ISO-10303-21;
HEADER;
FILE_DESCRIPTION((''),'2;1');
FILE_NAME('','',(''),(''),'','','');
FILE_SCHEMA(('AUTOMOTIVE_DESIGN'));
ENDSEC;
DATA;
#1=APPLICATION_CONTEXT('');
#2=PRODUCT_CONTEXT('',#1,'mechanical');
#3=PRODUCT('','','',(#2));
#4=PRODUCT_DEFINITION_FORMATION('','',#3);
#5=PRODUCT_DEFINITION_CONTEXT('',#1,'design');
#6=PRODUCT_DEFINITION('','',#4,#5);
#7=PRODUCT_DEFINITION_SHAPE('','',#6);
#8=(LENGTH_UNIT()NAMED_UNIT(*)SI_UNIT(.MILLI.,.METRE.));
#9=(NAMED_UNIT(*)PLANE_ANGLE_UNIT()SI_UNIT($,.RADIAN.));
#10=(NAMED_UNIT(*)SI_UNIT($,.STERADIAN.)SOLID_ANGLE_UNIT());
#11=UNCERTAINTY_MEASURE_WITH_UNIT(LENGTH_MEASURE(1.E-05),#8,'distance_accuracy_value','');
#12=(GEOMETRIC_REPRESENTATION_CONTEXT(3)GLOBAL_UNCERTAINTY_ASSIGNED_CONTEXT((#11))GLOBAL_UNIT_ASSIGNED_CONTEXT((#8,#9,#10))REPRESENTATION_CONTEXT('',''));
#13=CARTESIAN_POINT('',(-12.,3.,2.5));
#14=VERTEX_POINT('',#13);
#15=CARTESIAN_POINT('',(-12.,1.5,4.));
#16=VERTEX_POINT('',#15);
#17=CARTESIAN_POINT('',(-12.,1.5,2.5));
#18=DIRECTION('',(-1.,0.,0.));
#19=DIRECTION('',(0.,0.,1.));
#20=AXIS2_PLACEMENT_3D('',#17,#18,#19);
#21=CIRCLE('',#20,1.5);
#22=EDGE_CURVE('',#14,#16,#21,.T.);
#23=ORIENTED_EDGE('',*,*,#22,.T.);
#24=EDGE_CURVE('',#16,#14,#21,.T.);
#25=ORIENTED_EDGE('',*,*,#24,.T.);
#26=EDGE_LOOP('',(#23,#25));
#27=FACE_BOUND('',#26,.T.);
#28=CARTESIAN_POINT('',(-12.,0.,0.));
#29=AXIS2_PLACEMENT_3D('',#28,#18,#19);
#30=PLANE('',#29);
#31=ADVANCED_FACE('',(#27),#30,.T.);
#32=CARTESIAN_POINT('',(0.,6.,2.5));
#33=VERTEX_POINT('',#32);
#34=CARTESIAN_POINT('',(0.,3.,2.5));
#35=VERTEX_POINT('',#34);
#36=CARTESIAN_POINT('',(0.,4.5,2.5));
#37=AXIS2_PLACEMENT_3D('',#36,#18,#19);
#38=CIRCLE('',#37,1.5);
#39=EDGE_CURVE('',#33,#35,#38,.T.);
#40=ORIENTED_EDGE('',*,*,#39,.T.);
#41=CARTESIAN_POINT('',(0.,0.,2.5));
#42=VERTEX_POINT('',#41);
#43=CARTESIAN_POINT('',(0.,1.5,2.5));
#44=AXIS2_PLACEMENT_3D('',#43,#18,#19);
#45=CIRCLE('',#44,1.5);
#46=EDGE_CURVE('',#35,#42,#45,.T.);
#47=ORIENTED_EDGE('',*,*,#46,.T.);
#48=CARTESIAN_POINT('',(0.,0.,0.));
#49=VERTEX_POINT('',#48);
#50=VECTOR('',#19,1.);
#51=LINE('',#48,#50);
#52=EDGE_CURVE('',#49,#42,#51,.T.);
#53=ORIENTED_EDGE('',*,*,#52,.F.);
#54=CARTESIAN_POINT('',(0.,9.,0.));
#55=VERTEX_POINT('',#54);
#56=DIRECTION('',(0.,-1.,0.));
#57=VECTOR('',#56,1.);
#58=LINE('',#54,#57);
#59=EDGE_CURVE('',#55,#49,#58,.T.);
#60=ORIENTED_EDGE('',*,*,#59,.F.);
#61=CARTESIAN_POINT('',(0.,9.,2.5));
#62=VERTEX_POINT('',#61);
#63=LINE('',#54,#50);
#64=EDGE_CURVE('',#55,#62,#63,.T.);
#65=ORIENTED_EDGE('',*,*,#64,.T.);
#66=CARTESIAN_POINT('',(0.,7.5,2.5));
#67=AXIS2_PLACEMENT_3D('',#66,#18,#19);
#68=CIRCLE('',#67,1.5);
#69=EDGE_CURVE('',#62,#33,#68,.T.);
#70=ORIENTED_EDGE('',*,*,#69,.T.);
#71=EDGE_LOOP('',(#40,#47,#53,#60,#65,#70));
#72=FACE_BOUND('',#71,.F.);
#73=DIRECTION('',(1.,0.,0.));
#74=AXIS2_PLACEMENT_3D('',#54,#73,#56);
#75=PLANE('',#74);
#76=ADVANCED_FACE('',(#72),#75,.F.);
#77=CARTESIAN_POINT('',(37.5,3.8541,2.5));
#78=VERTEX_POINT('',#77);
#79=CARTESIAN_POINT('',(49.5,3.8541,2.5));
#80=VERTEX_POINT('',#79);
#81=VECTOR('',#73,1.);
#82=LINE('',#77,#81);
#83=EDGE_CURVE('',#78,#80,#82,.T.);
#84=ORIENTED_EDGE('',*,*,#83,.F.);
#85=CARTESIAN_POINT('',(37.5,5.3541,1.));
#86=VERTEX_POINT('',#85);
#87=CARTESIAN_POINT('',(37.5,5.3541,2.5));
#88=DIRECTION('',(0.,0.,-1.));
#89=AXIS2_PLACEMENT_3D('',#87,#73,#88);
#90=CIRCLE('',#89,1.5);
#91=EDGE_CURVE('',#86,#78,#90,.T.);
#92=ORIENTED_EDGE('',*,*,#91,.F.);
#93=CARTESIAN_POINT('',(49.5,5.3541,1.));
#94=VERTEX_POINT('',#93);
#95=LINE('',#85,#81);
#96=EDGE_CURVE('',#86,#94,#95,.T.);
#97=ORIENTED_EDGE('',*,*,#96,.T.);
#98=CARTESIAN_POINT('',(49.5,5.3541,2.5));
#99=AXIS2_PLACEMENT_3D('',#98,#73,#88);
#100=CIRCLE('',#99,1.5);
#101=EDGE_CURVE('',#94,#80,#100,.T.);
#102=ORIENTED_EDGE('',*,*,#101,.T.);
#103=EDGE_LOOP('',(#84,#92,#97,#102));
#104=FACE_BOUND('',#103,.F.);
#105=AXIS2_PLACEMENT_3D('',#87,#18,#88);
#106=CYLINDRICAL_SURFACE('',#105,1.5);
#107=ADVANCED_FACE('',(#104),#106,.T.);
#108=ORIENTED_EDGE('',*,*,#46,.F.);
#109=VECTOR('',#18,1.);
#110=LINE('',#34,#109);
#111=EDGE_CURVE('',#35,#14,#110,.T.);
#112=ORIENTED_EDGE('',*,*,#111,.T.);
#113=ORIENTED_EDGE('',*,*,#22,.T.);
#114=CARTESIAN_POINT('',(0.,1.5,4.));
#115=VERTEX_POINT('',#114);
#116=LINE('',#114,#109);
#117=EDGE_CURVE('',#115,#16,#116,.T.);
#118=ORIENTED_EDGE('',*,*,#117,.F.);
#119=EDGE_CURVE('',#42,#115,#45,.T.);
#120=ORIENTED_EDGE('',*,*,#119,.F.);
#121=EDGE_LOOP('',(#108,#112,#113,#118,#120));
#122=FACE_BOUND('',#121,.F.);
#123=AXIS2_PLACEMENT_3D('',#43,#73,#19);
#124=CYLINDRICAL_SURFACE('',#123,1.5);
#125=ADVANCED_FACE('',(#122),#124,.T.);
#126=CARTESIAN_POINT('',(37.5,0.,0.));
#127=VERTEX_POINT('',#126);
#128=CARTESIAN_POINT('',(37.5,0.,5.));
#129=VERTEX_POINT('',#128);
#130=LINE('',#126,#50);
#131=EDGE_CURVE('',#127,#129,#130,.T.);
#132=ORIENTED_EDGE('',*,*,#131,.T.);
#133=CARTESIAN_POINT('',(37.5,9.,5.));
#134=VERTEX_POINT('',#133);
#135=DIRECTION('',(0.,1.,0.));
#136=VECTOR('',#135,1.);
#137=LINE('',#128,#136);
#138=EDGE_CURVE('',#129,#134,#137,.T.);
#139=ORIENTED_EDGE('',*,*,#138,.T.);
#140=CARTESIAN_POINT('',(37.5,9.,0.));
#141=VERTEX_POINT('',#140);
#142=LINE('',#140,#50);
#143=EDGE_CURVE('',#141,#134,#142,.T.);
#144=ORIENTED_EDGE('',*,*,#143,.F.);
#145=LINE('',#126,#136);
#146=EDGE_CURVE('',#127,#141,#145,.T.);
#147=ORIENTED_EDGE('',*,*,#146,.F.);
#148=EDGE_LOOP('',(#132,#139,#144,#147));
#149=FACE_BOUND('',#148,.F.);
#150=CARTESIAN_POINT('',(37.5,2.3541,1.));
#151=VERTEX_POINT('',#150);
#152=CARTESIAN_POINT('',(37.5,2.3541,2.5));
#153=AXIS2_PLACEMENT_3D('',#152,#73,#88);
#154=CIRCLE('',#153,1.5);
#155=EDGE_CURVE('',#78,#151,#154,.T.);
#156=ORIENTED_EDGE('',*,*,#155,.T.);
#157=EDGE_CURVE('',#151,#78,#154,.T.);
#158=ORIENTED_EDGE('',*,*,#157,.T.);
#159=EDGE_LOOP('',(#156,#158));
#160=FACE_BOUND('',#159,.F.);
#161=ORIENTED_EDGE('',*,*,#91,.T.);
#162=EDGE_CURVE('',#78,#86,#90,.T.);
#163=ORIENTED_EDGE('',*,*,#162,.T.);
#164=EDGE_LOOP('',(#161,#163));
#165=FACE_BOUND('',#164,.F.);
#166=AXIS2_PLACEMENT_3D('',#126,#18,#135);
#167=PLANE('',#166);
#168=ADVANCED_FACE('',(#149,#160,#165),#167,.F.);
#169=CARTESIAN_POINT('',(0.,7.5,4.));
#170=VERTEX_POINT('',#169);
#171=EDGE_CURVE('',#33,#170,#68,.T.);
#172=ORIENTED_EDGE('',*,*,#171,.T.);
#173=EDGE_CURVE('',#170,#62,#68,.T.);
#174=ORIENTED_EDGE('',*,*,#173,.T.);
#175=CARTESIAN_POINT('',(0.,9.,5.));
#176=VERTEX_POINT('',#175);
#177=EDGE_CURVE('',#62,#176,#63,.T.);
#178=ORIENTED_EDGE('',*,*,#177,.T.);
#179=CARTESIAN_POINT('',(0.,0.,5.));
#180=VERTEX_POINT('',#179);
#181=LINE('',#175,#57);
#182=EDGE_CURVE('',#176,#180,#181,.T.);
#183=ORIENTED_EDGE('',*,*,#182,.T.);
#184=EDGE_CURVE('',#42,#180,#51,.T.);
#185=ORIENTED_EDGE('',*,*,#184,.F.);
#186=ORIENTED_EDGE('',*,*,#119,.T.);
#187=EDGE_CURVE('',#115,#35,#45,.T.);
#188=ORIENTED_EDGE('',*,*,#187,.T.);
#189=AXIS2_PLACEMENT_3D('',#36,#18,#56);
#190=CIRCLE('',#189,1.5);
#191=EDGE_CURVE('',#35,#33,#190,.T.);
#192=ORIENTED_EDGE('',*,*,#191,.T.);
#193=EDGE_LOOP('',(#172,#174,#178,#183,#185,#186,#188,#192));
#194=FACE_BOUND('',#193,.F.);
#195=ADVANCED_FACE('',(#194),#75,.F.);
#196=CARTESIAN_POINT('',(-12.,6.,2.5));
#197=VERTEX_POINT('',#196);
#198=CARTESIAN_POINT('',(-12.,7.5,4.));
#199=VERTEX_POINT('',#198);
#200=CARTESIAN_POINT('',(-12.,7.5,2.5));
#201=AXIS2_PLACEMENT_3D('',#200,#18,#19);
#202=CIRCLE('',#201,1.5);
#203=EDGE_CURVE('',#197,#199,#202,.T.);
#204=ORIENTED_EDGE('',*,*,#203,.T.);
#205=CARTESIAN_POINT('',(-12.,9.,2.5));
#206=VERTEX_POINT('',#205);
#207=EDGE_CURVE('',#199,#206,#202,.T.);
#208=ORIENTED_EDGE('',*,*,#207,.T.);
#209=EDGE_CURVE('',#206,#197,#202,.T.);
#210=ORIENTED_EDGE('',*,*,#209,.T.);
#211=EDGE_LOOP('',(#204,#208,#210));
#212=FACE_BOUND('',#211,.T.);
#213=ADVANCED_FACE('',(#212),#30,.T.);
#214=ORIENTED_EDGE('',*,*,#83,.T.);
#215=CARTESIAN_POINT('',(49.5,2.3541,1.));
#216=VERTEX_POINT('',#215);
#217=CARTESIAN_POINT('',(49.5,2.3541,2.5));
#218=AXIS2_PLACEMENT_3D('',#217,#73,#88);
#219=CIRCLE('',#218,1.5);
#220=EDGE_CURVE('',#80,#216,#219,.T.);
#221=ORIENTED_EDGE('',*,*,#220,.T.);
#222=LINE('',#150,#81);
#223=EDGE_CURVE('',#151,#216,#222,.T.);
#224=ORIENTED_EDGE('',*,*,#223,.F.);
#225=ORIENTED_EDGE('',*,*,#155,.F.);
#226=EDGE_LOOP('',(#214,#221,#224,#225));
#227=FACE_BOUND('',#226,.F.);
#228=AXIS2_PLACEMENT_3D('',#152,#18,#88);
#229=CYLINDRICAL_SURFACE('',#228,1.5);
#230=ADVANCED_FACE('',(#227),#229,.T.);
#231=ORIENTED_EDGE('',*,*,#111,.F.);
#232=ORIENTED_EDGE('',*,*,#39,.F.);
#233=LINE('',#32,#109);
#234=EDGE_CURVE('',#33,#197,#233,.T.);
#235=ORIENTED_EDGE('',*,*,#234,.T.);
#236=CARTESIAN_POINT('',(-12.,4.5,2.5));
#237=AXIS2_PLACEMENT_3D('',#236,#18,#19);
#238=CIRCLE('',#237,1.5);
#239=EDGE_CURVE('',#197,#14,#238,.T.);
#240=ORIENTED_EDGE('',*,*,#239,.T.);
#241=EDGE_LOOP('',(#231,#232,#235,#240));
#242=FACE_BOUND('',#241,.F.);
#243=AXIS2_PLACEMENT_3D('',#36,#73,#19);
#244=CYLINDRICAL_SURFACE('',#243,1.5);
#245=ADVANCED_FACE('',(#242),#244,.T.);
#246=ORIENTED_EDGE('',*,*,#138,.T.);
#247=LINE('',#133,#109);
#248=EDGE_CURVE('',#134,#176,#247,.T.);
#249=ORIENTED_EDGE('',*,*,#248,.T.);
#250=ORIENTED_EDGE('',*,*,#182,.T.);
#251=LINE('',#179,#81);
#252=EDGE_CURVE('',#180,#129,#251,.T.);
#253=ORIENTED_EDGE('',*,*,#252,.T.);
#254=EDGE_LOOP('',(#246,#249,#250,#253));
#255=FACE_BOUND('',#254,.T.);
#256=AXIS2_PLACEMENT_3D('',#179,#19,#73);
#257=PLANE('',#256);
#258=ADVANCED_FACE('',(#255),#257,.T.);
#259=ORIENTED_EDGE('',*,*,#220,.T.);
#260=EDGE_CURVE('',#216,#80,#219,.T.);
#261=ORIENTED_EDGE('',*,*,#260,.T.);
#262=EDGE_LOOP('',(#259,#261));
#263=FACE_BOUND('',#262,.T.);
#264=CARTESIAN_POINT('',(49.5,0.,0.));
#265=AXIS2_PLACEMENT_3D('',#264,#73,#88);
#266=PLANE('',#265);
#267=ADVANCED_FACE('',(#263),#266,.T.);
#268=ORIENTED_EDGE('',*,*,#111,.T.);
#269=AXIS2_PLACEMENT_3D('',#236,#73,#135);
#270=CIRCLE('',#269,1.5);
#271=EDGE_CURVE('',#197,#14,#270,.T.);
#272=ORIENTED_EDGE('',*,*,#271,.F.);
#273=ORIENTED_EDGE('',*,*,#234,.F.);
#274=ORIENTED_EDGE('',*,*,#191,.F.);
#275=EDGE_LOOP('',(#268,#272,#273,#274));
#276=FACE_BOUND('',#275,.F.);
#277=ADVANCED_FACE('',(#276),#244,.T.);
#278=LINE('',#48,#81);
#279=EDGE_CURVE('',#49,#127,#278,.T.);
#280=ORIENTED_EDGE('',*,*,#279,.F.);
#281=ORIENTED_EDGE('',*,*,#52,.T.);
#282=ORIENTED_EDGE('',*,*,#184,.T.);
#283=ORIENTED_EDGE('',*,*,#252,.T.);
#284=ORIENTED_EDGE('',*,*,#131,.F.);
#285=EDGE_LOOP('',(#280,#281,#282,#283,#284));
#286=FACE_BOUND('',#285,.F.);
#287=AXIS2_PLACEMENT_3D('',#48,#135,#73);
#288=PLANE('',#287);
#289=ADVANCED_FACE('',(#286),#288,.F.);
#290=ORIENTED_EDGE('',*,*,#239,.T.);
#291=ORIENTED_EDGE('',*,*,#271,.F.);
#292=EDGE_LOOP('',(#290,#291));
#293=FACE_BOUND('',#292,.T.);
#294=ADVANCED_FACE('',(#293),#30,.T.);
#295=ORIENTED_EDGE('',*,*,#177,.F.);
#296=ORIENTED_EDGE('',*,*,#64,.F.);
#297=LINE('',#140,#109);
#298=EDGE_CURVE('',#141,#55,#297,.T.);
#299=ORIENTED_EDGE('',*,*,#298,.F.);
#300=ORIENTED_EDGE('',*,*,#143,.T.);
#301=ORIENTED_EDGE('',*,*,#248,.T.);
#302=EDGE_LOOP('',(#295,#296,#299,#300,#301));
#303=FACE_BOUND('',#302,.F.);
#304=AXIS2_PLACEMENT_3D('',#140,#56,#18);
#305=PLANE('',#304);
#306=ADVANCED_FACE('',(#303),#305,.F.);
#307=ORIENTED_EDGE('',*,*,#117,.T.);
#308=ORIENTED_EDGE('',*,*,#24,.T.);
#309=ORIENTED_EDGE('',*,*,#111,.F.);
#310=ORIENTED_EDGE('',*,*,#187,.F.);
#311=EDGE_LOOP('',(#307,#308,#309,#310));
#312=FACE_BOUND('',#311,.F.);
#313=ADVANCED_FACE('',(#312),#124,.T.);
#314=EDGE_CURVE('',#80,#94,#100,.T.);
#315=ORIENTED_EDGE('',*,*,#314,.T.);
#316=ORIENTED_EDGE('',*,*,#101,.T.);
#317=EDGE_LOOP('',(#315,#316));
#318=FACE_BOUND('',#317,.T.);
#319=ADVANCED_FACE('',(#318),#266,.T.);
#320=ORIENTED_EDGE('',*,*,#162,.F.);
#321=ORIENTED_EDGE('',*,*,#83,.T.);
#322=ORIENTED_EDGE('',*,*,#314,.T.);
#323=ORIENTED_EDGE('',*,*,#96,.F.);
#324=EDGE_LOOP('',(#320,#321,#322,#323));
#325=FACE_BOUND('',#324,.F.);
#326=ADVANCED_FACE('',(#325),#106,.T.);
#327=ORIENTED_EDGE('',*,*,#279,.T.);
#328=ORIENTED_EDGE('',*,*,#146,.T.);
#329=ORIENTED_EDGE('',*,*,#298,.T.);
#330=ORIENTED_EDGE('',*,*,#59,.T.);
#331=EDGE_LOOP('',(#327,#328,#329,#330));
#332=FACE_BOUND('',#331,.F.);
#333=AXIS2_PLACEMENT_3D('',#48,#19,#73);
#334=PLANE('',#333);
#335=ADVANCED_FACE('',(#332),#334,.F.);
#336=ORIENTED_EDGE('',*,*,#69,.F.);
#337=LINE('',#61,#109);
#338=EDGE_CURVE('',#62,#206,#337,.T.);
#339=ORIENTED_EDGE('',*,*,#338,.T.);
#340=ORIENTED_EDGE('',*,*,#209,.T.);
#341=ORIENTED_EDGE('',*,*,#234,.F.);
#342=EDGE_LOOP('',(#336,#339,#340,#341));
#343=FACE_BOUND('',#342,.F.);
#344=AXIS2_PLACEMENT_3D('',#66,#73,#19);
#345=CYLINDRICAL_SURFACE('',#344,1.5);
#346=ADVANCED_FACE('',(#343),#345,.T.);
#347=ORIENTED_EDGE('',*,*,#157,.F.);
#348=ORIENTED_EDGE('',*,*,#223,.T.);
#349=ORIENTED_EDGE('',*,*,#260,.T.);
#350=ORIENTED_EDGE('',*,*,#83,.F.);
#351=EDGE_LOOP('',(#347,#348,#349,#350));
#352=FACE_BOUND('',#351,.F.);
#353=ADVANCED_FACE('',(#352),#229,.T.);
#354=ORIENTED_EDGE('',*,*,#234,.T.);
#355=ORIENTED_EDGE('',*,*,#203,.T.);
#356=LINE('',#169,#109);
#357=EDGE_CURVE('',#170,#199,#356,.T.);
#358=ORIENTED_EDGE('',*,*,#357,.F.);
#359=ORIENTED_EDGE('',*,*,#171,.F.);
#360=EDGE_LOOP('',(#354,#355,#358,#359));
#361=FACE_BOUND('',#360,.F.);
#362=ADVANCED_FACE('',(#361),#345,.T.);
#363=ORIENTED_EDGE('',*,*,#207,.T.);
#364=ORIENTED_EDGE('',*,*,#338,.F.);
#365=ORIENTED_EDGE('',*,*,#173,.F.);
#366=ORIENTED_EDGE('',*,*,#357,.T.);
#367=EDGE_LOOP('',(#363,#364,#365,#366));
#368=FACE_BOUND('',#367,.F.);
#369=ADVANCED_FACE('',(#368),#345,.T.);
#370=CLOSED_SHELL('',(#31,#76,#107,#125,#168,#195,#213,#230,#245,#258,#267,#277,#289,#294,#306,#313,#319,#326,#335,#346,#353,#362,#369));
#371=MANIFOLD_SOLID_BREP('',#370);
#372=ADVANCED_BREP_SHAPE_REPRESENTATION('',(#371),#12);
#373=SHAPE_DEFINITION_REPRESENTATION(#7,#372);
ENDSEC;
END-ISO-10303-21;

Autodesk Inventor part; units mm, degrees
ref_plane "YZ Plane" through (0, 0, 0) normal (1, 0, 0) x (0, 1, 0)
ref_plane "XZ Plane" through (0, 0, 0) normal (0, 1, 0) x (-1, 0, 0)
ref_plane "XY Plane" through (0, 0, 0) normal (0, 0, 1) x (1, 0, 0)
sketch "Sketch1" plane through (0, 0, 0) normal (0, 0, 1) x (1, 0, 0)
  line L0 (0, 0) -> (37.5, 0)
  line L1 (37.5, 0) -> (37.5, 9)
  line L2 (37.5, 9) -> (0, 9)
  line L3 (0, 9) -> (0, 0)
  dimension "d0" = 37.5
  dimension "d1" = 9
extrude "Extrusion1" add sketch "Sketch1" along normal blind 5
sketch "Sketch2" plane through (37.5, 0, 0) normal (1, 0, 0) x (0, 0, -1)
  circle A0 centre (-2.5, 2.3541) radius 1.5
  circle A1 centre (-2.5, 5.3541) radius 1.5
  line L0 (0, 0) -> (-5, 0) projected
  line L1 (0, 9) -> (-5, 9) projected
  point P0 (-2.5, 0)
  dimension "d4" = 3
extrude "Extrusion2" add sketch "Sketch2" along normal blind 12
sketch "Sketch3" plane through (0, 0, 0) normal (-1, 0, 0) x (0, 0, 1)
  circle A0 centre (2.5, 7.5) radius 1.5
  circle A1 centre (2.5, 4.5) radius 1.5
  circle A2 centre (2.5, 1.5) radius 1.5
  line L0 (0, 9) -> (5, 9) projected
  line L1 (2.5, 7.5) -> (2.5, 9) construction
  line L2 (2.5, 1.5) -> (2.5, 0) construction
  line L3 (0, 0) -> (5, 0) construction
  dimension "d11" = 3
extrude "Extrusion3" add sketch "Sketch3" along normal blind 12
properties part number "ESC"
